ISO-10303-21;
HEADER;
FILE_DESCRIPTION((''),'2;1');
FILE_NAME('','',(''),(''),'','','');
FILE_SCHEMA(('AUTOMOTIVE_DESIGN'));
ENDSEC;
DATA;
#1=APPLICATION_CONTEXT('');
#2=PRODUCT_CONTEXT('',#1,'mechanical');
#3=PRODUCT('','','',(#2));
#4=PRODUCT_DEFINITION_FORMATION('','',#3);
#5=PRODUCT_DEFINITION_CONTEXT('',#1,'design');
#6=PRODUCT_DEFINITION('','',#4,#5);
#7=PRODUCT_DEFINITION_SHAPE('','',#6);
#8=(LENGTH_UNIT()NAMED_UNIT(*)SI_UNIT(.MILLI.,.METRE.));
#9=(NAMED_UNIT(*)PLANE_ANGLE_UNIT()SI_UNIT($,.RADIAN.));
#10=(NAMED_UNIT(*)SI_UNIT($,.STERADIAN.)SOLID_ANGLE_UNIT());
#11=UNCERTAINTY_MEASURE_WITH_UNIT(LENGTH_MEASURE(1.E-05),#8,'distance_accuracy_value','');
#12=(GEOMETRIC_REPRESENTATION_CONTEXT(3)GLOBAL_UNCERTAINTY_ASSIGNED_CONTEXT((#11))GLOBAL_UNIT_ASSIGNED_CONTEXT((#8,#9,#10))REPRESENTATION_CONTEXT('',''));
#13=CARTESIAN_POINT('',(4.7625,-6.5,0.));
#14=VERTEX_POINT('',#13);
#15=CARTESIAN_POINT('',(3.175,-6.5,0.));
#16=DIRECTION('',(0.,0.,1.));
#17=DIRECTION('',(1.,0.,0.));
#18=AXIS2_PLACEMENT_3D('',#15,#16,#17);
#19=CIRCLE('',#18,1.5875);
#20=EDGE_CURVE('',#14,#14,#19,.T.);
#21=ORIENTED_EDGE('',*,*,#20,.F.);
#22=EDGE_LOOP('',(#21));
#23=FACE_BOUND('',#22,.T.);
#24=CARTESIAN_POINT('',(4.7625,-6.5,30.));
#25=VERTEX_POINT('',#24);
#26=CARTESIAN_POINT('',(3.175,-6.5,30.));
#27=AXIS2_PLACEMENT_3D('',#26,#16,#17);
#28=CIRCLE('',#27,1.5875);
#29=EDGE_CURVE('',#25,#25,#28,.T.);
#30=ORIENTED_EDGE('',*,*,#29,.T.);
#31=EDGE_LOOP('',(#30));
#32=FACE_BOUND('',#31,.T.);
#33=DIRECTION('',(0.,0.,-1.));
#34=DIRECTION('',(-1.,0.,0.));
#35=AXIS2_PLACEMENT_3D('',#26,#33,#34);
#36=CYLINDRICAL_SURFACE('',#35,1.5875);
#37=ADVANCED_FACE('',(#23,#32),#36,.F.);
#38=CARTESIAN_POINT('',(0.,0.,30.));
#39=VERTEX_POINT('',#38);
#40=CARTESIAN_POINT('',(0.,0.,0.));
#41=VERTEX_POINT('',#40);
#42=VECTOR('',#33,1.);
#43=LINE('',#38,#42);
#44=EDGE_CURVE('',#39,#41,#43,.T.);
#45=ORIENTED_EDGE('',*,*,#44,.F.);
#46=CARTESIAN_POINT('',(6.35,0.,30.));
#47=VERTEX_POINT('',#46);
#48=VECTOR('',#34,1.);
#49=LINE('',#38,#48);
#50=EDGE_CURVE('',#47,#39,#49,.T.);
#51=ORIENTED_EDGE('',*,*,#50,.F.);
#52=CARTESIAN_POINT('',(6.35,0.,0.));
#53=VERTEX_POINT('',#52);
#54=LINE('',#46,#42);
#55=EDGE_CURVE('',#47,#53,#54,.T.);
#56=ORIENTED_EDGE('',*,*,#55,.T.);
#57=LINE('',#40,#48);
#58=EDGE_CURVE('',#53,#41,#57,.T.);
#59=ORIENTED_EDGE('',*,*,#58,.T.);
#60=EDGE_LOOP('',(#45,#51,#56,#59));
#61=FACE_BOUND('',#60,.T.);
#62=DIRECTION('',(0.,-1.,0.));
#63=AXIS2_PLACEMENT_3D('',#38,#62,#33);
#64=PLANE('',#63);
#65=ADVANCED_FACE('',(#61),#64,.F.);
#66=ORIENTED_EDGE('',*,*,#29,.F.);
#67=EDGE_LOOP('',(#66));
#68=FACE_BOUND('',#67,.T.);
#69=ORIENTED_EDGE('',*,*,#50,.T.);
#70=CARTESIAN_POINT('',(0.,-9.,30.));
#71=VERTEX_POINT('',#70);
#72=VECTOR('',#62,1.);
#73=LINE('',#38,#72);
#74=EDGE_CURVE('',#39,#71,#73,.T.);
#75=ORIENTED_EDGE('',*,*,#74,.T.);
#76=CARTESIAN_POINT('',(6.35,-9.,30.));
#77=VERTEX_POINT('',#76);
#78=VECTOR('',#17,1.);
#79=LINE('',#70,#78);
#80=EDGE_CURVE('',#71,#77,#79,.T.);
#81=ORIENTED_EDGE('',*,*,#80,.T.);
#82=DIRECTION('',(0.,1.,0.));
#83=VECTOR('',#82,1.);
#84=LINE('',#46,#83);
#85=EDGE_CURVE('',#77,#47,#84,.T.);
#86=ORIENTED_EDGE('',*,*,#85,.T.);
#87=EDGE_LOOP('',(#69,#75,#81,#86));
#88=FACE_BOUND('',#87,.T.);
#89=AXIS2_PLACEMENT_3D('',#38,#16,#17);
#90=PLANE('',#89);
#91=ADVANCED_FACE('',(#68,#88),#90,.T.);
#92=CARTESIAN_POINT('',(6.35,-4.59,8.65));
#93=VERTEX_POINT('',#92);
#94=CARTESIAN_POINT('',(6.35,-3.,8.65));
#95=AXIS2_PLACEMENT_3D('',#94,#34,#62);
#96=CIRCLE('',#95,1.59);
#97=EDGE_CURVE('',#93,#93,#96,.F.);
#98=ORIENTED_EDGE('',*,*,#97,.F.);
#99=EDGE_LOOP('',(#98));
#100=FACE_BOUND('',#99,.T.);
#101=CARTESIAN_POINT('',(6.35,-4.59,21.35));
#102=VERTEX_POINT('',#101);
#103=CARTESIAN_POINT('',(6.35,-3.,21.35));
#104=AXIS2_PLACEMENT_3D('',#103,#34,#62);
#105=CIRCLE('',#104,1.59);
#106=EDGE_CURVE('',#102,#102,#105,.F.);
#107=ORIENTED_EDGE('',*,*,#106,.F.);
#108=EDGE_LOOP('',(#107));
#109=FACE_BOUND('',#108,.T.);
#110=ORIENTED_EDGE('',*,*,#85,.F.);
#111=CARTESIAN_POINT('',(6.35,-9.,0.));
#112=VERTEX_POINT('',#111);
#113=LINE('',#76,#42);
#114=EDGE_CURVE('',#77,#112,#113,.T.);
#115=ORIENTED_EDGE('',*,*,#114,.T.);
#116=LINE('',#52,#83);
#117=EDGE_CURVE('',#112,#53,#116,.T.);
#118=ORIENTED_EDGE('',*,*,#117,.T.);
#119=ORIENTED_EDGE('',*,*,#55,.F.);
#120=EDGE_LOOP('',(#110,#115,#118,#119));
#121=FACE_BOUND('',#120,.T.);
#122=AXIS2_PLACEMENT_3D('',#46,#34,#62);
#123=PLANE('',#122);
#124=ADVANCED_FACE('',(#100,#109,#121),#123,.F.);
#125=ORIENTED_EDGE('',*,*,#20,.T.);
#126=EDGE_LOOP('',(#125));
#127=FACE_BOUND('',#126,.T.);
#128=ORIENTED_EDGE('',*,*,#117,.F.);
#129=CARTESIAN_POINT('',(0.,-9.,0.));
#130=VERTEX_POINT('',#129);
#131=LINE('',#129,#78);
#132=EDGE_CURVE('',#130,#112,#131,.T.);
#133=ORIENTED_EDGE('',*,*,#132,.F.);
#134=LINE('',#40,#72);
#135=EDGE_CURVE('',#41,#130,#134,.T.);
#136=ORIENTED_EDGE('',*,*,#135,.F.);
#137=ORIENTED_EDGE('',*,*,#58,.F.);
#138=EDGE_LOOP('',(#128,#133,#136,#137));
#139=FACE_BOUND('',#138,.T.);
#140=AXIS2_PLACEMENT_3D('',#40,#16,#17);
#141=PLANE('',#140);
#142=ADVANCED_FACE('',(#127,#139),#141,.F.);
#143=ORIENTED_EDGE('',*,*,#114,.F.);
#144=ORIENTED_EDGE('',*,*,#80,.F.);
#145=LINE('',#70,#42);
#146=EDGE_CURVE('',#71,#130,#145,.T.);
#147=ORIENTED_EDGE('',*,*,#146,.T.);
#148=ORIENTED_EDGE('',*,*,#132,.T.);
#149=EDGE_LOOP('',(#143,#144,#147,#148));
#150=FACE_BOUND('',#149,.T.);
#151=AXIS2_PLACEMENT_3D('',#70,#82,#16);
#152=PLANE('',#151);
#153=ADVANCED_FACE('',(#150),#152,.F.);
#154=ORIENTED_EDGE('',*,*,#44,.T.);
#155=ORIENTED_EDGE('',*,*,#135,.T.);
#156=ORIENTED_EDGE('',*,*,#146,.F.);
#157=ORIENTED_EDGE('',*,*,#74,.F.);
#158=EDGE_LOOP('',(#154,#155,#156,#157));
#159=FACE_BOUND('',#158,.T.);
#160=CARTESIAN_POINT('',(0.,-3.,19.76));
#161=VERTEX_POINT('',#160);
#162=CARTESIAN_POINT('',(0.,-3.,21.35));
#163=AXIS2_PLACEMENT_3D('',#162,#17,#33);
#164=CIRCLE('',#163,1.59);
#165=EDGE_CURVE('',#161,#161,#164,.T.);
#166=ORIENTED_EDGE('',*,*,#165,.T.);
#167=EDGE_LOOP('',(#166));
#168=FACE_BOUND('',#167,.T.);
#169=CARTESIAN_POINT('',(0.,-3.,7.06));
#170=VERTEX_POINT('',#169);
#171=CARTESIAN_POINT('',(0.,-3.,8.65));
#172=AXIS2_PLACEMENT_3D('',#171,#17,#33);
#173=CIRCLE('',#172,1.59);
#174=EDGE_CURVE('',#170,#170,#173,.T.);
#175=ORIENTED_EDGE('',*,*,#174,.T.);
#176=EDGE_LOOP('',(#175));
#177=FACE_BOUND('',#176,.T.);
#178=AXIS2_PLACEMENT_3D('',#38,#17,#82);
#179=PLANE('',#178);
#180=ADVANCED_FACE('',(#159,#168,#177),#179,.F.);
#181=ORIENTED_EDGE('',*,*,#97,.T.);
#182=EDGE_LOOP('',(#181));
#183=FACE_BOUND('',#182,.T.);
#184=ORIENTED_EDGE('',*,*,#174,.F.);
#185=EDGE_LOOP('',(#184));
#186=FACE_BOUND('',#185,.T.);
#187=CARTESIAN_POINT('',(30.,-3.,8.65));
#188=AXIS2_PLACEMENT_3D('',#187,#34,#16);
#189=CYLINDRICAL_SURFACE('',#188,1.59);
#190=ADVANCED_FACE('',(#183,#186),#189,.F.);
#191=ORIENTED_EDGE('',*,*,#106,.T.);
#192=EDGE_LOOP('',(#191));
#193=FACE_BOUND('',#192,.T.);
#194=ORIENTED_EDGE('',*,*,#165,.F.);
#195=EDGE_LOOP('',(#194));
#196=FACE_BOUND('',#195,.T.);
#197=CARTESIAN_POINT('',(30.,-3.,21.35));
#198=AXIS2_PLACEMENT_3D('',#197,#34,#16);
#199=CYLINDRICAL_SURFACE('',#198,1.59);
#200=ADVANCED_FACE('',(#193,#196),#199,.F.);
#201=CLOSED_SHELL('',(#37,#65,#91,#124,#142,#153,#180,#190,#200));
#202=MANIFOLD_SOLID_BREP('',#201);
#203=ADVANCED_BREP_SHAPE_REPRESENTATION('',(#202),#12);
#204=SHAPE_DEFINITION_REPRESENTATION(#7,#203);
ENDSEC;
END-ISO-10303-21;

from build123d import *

# Parameters (mm, degrees)
SKETCH1_W           = 6.35
SKETCH1_H           = 9
SKETCH1_R           = 1.5875
BOSS_EXTRUDE1_DEPTH = 30
SKETCH2_R           = 1.59
CUT_EXTRUDE1_DEPTH  = 30


with BuildPart() as part:
    # Sketch1 → Boss-Extrude1 (new body)
    with BuildSketch(Plane.XY):
        with Locations((3.175, -4.5)):
            Rectangle(SKETCH1_W, SKETCH1_H)
        with Locations((3.175, -6.5)):
            Circle(SKETCH1_R, mode=Mode.SUBTRACT)
    extrude(amount=BOSS_EXTRUDE1_DEPTH)

    # Sketch2 → Cut-Extrude1 (cut)
    with BuildSketch(Plane(origin=(0, 0, 0), x_dir=(0, 0, -1), z_dir=(1, 0, 0))):
        with Locations((-21.35, -3)):
            Circle(SKETCH2_R)
        with Locations((-8.65, -3)):
            Circle(SKETCH2_R)
    extrude(amount=CUT_EXTRUDE1_DEPTH, mode=Mode.SUBTRACT)


solid = part.part
